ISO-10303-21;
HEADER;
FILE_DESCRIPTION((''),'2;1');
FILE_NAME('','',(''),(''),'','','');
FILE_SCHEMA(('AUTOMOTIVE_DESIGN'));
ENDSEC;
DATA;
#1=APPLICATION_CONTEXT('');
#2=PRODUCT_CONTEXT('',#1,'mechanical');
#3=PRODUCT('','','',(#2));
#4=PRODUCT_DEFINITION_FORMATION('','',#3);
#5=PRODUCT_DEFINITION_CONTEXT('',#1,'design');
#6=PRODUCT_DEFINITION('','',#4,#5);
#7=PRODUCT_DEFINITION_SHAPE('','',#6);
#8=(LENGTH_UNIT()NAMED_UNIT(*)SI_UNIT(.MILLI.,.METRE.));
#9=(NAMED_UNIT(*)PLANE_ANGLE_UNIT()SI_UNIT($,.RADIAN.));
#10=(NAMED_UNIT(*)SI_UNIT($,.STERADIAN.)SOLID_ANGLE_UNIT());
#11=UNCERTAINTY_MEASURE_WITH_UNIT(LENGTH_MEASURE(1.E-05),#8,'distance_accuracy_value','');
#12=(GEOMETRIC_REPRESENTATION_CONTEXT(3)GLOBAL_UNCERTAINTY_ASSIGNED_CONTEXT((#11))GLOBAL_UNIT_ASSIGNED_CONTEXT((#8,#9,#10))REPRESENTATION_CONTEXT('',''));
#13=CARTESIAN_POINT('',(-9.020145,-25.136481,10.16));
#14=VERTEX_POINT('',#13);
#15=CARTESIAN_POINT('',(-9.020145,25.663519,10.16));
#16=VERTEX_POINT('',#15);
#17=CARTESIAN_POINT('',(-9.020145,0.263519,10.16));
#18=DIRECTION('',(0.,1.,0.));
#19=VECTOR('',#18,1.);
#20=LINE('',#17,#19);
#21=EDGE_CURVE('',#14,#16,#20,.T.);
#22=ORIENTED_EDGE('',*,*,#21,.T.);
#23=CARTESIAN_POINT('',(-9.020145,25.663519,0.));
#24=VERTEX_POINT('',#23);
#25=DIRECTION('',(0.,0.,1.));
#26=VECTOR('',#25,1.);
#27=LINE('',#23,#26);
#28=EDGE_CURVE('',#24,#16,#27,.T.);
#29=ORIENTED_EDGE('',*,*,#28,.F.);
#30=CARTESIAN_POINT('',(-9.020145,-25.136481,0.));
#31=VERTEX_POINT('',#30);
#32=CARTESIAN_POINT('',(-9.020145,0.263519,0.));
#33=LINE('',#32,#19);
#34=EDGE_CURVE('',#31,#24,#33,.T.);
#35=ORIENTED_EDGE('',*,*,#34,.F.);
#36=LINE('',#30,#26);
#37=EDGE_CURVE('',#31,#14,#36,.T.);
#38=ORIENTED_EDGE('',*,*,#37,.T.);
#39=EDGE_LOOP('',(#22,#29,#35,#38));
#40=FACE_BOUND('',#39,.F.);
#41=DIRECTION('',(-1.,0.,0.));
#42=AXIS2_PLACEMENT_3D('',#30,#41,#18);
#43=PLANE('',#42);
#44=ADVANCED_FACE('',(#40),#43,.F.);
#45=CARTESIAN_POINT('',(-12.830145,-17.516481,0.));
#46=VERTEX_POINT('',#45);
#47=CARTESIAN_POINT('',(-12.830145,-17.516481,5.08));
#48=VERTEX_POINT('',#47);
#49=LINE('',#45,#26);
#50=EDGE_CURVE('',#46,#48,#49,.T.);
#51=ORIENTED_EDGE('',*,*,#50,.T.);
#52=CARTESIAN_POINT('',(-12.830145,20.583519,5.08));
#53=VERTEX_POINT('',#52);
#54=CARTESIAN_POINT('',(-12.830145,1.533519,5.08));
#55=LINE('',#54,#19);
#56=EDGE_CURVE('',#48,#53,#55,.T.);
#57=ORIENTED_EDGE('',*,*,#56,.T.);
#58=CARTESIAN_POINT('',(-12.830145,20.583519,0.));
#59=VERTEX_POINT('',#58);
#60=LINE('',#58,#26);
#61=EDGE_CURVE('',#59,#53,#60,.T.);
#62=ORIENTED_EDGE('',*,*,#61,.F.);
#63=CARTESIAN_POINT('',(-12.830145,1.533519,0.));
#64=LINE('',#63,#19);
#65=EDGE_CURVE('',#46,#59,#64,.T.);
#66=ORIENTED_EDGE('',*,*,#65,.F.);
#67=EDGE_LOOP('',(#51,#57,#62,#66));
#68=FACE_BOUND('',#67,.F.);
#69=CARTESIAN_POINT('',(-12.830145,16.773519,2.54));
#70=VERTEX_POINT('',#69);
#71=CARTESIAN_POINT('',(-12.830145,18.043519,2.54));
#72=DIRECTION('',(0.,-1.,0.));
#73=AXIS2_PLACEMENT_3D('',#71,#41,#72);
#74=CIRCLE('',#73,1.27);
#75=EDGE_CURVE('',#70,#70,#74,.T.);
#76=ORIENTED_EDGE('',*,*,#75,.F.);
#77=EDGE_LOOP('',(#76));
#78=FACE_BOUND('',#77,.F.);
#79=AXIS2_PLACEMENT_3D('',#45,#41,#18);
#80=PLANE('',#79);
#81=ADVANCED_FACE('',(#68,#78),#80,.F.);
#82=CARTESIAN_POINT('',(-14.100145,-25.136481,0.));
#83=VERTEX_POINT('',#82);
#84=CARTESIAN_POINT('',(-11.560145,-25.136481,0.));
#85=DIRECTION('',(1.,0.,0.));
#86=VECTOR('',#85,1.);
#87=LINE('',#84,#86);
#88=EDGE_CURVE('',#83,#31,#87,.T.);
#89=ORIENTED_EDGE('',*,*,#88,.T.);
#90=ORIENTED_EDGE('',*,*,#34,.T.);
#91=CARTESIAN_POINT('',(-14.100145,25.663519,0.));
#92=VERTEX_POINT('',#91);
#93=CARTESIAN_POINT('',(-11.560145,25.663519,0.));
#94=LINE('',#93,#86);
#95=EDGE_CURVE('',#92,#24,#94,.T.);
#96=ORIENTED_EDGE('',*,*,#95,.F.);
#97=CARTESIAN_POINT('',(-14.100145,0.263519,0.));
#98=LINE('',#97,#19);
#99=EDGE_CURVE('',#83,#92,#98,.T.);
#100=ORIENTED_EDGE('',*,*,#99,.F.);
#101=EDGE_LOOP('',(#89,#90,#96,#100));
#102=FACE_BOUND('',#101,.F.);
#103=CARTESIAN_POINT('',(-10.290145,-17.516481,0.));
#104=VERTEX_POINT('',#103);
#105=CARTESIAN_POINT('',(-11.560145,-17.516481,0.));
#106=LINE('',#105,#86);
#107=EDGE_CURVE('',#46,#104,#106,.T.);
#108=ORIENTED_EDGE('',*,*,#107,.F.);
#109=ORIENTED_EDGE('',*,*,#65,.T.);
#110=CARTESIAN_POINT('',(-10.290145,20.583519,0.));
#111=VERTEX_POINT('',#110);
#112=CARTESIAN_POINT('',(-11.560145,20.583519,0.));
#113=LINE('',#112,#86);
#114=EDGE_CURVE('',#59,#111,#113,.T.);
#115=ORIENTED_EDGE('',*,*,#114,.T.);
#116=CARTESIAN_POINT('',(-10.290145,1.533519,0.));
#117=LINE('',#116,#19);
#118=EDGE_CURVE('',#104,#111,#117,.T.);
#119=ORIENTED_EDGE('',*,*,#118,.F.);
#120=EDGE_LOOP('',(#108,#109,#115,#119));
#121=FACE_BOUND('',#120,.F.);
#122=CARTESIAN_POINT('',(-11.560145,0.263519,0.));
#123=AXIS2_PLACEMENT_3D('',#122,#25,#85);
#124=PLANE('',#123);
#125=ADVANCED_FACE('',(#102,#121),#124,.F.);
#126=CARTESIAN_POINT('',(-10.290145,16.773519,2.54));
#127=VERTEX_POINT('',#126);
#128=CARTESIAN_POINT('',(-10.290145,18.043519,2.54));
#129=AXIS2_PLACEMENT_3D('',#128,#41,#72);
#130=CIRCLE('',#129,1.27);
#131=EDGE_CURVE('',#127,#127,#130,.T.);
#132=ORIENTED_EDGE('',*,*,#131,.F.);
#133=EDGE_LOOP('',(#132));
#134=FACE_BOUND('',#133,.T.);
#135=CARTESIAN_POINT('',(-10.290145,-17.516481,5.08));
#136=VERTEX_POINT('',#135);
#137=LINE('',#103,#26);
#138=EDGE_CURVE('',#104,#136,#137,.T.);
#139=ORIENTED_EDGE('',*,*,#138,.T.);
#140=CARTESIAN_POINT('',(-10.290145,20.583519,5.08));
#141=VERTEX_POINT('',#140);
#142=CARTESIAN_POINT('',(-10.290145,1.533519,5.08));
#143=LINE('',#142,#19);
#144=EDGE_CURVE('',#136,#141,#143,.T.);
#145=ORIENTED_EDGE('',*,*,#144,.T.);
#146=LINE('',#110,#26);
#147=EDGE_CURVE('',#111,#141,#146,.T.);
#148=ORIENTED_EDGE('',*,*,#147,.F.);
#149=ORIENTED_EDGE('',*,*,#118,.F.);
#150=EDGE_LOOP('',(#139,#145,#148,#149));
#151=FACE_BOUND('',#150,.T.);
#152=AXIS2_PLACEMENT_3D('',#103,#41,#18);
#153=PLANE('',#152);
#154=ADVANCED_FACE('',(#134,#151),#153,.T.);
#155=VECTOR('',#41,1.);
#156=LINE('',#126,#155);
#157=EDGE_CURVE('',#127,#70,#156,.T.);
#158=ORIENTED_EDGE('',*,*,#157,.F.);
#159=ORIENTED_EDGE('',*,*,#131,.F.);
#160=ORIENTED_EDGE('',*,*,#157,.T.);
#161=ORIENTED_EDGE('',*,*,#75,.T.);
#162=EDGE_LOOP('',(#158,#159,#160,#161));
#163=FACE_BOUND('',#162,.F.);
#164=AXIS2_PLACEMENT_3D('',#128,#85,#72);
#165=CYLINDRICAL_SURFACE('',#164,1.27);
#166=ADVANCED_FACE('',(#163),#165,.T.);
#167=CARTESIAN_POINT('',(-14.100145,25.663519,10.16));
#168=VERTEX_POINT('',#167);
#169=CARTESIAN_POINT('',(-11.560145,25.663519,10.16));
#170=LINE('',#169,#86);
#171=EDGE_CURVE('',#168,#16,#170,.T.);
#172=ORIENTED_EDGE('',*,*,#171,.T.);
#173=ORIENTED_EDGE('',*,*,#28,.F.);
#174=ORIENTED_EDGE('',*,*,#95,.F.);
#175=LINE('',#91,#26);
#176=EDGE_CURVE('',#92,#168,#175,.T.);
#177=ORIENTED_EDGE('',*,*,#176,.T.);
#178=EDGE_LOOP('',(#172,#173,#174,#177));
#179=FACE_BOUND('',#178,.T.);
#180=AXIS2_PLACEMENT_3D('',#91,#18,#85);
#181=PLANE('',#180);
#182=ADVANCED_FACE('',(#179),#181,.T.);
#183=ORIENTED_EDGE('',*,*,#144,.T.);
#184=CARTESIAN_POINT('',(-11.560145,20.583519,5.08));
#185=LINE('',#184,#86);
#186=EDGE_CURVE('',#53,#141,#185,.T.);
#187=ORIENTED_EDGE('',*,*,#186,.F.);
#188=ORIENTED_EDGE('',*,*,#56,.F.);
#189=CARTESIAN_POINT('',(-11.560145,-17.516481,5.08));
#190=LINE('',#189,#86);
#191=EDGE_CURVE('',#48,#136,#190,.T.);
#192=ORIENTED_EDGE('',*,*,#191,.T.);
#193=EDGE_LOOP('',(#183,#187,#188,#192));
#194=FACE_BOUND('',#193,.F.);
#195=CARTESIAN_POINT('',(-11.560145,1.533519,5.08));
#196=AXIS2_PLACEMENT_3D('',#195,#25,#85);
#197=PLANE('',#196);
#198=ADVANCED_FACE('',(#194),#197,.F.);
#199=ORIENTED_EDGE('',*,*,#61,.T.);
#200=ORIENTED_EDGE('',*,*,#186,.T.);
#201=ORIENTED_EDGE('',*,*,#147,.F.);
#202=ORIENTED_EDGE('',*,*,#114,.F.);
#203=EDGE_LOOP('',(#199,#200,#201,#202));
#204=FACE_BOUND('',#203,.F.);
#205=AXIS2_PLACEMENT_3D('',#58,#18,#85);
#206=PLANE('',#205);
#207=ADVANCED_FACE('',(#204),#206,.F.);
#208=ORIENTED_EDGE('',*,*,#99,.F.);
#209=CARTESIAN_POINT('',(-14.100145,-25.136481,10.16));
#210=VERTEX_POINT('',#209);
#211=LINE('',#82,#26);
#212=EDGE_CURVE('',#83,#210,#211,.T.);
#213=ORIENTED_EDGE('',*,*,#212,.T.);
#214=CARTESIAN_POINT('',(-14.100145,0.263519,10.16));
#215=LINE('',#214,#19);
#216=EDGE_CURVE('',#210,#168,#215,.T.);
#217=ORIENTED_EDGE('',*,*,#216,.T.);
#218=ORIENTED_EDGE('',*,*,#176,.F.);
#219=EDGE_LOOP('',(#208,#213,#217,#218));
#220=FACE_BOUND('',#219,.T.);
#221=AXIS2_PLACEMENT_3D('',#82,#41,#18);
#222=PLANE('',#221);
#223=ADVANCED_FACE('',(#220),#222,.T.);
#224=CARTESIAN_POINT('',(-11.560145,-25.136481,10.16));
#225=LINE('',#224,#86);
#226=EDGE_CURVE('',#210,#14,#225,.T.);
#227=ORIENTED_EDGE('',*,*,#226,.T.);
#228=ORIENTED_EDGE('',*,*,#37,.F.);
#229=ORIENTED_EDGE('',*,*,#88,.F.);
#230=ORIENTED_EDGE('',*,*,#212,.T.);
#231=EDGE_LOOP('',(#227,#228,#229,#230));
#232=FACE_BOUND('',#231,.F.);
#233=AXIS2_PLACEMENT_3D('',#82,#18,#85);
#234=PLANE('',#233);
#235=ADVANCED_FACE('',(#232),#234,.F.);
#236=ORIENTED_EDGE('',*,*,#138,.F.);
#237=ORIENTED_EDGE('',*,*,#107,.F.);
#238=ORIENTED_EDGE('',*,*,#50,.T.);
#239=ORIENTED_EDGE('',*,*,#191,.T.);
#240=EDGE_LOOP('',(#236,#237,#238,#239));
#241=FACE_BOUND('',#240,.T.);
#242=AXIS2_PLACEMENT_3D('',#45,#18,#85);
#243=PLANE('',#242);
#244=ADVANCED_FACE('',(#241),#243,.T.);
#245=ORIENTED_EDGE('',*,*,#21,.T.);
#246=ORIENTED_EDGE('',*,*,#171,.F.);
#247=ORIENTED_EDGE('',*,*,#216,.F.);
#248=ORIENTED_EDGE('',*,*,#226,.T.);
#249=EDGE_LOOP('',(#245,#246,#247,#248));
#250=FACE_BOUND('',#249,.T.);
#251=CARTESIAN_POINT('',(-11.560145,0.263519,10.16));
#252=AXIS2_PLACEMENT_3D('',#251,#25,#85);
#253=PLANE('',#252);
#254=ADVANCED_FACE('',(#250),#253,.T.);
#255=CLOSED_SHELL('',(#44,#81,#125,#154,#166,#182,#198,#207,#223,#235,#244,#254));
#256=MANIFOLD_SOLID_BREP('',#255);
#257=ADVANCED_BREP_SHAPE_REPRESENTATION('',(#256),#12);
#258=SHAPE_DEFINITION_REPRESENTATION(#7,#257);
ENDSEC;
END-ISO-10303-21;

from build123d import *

# Parameters (mm, degrees)
F0_W     = 5.08
F0_H     = 50.8
F0_W_2   = 2.54
F0_H_2   = 38.1
F1_DEPTH = 10.16
F2_DEPTH = 5.08
F3_R     = 1.27
F4_DEPTH = 2.54


with BuildPart() as f1:
    # F0 (on Top) → F1 (new body)
    with BuildSketch(Plane.XY):
        with Locations((-11.560145, 0.263519)):
            Rectangle(F0_W, F0_H)
        with Locations((-11.560145, 1.533519)):
            Rectangle(F0_W_2, F0_H_2, mode=Mode.SUBTRACT)
        with Locations((-11.560145, 1.533519)):
            Rectangle(F0_W_2, F0_H_2)
    extrude(amount=F1_DEPTH)

    # F0 (on Top) → F2 (cut)
    with BuildSketch(Plane.XY):
        with Locations((-11.560145, 1.533519)):
            Rectangle(F0_W_2, F0_H_2)
    extrude(amount=F2_DEPTH, mode=Mode.SUBTRACT)

    # F3 (on face) → F4 (join)
    with BuildSketch(Plane(origin=(-10.290145, 0, 0), x_dir=(0, -1, 0), z_dir=(-1, 0, 0))):
        with Locations((-18.043519, 2.54)):
            Circle(F3_R)
    extrude(amount=F4_DEPTH)


solid = f1.part
